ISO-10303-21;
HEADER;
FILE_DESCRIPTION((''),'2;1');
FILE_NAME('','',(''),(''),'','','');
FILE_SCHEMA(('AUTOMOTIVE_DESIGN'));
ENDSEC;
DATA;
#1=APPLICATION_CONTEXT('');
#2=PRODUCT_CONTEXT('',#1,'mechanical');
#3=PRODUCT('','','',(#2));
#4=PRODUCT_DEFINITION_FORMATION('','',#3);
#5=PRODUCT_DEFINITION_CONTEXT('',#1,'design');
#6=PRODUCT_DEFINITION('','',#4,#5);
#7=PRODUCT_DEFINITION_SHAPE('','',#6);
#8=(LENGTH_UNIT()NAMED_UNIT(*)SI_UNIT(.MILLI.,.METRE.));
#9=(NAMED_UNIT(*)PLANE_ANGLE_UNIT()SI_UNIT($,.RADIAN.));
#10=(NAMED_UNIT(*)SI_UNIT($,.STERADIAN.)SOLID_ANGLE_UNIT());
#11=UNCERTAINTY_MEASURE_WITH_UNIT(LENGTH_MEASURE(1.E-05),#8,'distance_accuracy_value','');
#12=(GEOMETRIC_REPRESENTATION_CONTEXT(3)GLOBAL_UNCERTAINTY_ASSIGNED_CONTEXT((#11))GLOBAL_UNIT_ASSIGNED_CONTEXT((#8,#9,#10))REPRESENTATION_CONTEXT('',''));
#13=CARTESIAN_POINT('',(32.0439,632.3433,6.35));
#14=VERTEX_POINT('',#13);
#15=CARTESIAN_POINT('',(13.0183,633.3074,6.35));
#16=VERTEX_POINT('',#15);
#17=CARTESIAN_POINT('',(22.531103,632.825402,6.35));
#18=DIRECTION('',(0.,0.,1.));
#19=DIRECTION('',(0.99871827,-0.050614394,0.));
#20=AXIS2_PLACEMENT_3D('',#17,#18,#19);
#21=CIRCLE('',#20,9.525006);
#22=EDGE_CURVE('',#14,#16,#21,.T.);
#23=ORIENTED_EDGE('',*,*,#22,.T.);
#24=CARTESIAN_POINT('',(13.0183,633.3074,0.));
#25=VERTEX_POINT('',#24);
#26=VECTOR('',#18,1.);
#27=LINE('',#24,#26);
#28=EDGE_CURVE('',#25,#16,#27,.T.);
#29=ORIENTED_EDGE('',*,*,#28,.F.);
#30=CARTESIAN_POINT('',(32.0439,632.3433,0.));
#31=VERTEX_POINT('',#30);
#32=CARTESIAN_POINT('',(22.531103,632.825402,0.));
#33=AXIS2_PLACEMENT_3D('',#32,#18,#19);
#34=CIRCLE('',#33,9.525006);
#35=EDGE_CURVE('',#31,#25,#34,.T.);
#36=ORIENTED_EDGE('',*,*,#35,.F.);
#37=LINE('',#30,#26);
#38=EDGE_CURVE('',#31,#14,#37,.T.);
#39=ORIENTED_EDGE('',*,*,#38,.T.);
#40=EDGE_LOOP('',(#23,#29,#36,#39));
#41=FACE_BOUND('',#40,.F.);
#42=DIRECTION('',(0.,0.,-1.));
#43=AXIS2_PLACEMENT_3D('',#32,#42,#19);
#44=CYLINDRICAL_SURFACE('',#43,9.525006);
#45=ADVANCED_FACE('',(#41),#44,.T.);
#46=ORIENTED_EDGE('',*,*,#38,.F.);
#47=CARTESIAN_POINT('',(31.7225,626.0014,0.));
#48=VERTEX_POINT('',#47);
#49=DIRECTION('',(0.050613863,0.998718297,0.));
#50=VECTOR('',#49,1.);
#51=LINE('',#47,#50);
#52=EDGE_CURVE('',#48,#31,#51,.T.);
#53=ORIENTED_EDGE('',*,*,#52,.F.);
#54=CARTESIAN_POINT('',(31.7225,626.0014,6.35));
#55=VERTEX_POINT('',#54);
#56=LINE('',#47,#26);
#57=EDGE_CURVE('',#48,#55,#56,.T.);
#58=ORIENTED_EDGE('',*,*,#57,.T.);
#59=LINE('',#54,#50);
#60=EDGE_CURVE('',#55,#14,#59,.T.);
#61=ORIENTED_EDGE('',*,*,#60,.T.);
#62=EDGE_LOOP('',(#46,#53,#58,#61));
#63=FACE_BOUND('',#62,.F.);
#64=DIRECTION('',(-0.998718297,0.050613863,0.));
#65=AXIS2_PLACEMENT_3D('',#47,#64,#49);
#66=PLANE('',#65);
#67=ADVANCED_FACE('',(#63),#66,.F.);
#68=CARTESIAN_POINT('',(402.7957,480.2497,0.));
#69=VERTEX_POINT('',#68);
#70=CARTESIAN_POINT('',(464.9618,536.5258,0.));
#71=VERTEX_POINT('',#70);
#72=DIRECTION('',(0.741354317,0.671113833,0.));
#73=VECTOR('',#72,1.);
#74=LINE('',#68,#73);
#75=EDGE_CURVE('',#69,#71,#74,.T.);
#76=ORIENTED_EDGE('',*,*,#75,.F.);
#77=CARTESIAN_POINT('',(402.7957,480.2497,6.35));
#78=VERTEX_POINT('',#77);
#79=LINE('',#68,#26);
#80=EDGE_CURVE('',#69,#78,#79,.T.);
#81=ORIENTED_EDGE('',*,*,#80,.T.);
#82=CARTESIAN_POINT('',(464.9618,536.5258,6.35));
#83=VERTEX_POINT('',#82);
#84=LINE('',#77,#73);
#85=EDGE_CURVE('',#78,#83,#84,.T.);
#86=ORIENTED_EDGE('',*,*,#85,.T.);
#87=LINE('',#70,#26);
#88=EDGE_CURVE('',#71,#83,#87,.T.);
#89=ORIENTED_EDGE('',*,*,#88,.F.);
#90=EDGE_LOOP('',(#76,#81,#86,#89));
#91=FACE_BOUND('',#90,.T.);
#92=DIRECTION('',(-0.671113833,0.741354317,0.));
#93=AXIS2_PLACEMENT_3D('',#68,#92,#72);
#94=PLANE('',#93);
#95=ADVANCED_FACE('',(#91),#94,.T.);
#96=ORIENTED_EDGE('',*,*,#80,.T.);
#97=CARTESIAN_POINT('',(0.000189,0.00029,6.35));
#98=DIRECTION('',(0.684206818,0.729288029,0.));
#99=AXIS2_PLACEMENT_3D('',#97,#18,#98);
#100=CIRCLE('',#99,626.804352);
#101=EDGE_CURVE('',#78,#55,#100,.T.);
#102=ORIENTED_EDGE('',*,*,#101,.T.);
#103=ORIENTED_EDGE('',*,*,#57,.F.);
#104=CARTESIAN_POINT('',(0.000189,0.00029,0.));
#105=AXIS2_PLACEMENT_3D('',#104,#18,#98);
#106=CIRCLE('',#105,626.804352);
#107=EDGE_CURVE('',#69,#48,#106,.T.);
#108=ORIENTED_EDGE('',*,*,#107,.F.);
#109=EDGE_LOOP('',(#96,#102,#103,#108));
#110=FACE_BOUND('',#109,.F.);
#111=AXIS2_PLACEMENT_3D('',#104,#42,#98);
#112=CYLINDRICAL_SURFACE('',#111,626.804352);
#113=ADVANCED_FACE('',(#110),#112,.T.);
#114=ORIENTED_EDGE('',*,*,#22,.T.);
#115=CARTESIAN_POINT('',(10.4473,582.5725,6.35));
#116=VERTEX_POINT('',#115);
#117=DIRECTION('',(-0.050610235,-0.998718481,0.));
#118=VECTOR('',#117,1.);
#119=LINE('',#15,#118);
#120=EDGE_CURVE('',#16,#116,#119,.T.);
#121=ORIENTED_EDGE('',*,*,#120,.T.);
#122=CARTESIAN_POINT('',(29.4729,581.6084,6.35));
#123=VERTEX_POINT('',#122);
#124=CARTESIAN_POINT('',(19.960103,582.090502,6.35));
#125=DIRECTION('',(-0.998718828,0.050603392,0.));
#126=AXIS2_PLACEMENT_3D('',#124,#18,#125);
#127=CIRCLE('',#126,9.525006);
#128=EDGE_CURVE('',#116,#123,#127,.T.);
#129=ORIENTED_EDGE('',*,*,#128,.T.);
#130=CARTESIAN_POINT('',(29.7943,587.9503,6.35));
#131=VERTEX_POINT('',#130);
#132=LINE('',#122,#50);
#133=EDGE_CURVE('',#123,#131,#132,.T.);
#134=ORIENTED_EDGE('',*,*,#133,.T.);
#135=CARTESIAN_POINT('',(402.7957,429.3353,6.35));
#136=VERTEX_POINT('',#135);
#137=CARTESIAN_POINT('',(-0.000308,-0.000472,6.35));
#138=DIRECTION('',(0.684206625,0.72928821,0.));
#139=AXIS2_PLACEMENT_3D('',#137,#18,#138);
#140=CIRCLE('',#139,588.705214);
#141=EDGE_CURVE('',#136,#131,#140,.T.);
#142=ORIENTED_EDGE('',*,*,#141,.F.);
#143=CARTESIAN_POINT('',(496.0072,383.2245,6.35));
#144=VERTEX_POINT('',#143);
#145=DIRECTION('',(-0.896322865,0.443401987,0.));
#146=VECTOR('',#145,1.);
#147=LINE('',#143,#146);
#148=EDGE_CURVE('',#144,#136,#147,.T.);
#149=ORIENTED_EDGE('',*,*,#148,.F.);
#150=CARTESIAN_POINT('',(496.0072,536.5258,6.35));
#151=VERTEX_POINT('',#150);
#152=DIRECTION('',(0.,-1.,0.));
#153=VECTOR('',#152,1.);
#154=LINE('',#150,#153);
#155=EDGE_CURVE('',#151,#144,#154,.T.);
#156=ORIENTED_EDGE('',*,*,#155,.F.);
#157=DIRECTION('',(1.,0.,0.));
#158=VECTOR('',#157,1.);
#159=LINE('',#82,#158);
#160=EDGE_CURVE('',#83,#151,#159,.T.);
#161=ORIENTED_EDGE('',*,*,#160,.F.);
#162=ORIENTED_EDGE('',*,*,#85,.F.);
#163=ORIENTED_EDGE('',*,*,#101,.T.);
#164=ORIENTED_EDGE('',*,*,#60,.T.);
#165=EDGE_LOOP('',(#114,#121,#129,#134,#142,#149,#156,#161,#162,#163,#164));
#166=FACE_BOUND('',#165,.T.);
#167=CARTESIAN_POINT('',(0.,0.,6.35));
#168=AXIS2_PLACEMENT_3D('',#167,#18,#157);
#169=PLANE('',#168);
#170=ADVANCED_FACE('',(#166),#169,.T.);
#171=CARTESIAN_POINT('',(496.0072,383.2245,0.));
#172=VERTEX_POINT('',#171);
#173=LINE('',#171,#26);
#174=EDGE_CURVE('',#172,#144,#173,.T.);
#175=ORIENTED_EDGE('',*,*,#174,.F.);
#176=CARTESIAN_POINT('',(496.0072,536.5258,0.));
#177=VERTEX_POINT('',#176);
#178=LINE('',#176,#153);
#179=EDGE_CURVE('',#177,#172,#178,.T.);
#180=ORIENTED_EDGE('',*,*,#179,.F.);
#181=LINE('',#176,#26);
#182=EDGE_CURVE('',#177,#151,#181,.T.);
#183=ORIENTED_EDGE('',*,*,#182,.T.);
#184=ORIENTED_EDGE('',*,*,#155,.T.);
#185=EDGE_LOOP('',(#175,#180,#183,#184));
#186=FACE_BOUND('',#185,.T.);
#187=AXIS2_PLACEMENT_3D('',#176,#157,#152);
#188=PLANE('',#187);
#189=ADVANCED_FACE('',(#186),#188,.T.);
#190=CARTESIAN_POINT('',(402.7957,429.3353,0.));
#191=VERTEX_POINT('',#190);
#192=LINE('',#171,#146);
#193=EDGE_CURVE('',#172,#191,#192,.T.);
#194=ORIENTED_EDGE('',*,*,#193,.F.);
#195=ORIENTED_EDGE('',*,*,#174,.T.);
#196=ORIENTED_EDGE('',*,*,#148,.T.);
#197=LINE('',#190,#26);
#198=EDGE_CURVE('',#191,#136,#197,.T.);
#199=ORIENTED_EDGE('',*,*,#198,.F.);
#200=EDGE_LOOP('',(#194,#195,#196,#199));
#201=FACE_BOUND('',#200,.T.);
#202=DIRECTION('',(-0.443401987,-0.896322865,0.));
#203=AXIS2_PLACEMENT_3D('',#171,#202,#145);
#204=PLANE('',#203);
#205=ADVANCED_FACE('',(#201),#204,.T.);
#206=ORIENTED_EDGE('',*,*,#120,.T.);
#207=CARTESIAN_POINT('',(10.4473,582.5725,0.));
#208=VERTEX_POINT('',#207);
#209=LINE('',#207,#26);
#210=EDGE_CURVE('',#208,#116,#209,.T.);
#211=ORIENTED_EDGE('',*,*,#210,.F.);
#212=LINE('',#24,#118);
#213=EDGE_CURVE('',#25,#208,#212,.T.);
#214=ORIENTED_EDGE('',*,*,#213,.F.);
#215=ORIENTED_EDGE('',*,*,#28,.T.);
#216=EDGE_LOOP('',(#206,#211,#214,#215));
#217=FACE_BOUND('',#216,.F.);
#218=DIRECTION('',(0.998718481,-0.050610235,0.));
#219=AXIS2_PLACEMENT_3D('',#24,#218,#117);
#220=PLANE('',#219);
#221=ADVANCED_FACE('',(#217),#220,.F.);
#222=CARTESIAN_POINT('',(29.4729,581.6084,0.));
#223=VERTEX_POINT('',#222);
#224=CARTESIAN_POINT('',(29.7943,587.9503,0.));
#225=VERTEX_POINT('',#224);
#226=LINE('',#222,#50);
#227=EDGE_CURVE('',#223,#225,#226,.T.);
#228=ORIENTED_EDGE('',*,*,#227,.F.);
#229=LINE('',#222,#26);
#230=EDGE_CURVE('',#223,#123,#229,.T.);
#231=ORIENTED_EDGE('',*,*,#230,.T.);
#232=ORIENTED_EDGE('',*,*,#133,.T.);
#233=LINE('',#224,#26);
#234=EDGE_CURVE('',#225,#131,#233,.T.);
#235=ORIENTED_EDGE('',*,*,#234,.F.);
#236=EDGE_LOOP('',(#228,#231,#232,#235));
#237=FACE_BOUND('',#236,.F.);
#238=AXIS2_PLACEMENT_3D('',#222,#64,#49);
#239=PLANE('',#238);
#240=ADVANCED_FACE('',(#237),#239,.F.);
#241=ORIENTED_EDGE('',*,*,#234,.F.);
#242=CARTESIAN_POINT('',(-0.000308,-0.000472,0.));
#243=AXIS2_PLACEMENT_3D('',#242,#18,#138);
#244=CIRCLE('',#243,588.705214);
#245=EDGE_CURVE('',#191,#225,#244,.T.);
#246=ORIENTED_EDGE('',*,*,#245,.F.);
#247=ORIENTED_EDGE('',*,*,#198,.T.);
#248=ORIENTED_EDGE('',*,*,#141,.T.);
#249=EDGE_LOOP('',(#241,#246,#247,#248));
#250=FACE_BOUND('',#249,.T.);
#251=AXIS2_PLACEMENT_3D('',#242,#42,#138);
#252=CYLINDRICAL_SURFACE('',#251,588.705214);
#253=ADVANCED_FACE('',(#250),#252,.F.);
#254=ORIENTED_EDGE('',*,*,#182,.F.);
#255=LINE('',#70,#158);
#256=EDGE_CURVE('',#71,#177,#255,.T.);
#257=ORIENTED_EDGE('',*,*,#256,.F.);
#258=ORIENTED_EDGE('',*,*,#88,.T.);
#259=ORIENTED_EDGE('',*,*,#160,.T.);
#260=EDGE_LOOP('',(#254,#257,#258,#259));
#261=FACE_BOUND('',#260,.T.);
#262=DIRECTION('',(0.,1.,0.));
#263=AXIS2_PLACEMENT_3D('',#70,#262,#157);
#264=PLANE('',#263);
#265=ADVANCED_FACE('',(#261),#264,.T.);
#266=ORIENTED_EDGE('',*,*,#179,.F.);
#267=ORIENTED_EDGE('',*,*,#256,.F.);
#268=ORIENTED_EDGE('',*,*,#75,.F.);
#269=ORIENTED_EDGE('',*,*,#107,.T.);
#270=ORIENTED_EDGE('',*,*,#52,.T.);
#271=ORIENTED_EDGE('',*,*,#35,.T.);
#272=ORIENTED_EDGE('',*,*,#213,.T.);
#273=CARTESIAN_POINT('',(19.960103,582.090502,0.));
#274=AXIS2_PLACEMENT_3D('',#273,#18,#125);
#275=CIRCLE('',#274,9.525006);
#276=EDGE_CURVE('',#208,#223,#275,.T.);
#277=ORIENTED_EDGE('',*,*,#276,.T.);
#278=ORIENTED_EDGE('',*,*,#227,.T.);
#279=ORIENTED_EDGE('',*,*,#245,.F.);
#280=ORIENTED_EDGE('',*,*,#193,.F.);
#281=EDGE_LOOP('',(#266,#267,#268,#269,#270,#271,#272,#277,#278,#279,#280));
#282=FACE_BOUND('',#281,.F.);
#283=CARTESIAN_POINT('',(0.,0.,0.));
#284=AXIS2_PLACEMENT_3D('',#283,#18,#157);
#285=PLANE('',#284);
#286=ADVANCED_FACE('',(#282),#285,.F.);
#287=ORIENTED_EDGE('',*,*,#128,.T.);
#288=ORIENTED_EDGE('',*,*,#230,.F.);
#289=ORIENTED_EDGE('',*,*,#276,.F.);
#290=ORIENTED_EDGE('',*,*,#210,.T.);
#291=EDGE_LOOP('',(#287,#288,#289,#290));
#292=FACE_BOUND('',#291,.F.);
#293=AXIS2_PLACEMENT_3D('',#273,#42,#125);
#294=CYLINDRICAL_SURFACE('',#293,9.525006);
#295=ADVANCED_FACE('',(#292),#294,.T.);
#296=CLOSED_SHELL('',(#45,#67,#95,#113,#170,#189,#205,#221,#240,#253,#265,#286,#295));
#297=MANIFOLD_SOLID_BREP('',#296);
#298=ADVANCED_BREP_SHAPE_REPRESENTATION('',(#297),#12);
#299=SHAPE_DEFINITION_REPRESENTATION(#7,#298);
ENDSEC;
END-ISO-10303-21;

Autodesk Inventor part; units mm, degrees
ref_plane "YZ Plane" through (0, 0, 0) normal (1, 0, 0) x (0, 1, 0)
ref_plane "XZ Plane" through (0, 0, 0) normal (0, 1, 0) x (-1, 0, 0)
ref_plane "XY Plane" through (0, 0, 0) normal (0, 0, 1) x (1, 0, 0)
sketch "Sketch1" plane through (0, 0, 0) normal (0, 0, 1) x (1, 0, 0)
  arc A0 (402.7957, 429.3353) -> (29.7943, 587.9503) centre (0, 0) ccw
  arc A1 (428.864, 457.1212) -> (31.7225, 626.0014) centre (0, 0) ccw
  line L0 (31.7225, 626.0014) -> (32.0439, 632.3433)
  arc A2 (32.0439, 632.3433) -> (13.0183, 633.3074) centre (22.5311, 632.8254) ccw
  line L1 (13.0183, 633.3074) -> (10.4473, 582.5725)
  arc A3 (10.4473, 582.5725) -> (29.4729, 581.6084) centre (19.9601, 582.0905) ccw
  line L2 (29.4729, 581.6084) -> (29.7943, 587.9503)
  line L3 (402.7957, 480.2497) -> (464.9618, 536.5258)
  line L4 (464.9618, 536.5258) -> (496.0072, 536.5258)
  line L5 (496.0072, 536.5258) -> (496.0072, 383.2245)
  line L6 (496.0072, 383.2245) -> (402.7957, 429.3353)
  point P0 (0, 0)
  dimension "d0" = 588.7047
  dimension "d1" = 38.1
  dimension "d2" = 9.525
  dimension "d3" = 50.8
extrude "Extrusion1" add sketch "Sketch1" along normal blind 6.35
properties part number "PLATE,SIDE,RACK,INTAKE"
